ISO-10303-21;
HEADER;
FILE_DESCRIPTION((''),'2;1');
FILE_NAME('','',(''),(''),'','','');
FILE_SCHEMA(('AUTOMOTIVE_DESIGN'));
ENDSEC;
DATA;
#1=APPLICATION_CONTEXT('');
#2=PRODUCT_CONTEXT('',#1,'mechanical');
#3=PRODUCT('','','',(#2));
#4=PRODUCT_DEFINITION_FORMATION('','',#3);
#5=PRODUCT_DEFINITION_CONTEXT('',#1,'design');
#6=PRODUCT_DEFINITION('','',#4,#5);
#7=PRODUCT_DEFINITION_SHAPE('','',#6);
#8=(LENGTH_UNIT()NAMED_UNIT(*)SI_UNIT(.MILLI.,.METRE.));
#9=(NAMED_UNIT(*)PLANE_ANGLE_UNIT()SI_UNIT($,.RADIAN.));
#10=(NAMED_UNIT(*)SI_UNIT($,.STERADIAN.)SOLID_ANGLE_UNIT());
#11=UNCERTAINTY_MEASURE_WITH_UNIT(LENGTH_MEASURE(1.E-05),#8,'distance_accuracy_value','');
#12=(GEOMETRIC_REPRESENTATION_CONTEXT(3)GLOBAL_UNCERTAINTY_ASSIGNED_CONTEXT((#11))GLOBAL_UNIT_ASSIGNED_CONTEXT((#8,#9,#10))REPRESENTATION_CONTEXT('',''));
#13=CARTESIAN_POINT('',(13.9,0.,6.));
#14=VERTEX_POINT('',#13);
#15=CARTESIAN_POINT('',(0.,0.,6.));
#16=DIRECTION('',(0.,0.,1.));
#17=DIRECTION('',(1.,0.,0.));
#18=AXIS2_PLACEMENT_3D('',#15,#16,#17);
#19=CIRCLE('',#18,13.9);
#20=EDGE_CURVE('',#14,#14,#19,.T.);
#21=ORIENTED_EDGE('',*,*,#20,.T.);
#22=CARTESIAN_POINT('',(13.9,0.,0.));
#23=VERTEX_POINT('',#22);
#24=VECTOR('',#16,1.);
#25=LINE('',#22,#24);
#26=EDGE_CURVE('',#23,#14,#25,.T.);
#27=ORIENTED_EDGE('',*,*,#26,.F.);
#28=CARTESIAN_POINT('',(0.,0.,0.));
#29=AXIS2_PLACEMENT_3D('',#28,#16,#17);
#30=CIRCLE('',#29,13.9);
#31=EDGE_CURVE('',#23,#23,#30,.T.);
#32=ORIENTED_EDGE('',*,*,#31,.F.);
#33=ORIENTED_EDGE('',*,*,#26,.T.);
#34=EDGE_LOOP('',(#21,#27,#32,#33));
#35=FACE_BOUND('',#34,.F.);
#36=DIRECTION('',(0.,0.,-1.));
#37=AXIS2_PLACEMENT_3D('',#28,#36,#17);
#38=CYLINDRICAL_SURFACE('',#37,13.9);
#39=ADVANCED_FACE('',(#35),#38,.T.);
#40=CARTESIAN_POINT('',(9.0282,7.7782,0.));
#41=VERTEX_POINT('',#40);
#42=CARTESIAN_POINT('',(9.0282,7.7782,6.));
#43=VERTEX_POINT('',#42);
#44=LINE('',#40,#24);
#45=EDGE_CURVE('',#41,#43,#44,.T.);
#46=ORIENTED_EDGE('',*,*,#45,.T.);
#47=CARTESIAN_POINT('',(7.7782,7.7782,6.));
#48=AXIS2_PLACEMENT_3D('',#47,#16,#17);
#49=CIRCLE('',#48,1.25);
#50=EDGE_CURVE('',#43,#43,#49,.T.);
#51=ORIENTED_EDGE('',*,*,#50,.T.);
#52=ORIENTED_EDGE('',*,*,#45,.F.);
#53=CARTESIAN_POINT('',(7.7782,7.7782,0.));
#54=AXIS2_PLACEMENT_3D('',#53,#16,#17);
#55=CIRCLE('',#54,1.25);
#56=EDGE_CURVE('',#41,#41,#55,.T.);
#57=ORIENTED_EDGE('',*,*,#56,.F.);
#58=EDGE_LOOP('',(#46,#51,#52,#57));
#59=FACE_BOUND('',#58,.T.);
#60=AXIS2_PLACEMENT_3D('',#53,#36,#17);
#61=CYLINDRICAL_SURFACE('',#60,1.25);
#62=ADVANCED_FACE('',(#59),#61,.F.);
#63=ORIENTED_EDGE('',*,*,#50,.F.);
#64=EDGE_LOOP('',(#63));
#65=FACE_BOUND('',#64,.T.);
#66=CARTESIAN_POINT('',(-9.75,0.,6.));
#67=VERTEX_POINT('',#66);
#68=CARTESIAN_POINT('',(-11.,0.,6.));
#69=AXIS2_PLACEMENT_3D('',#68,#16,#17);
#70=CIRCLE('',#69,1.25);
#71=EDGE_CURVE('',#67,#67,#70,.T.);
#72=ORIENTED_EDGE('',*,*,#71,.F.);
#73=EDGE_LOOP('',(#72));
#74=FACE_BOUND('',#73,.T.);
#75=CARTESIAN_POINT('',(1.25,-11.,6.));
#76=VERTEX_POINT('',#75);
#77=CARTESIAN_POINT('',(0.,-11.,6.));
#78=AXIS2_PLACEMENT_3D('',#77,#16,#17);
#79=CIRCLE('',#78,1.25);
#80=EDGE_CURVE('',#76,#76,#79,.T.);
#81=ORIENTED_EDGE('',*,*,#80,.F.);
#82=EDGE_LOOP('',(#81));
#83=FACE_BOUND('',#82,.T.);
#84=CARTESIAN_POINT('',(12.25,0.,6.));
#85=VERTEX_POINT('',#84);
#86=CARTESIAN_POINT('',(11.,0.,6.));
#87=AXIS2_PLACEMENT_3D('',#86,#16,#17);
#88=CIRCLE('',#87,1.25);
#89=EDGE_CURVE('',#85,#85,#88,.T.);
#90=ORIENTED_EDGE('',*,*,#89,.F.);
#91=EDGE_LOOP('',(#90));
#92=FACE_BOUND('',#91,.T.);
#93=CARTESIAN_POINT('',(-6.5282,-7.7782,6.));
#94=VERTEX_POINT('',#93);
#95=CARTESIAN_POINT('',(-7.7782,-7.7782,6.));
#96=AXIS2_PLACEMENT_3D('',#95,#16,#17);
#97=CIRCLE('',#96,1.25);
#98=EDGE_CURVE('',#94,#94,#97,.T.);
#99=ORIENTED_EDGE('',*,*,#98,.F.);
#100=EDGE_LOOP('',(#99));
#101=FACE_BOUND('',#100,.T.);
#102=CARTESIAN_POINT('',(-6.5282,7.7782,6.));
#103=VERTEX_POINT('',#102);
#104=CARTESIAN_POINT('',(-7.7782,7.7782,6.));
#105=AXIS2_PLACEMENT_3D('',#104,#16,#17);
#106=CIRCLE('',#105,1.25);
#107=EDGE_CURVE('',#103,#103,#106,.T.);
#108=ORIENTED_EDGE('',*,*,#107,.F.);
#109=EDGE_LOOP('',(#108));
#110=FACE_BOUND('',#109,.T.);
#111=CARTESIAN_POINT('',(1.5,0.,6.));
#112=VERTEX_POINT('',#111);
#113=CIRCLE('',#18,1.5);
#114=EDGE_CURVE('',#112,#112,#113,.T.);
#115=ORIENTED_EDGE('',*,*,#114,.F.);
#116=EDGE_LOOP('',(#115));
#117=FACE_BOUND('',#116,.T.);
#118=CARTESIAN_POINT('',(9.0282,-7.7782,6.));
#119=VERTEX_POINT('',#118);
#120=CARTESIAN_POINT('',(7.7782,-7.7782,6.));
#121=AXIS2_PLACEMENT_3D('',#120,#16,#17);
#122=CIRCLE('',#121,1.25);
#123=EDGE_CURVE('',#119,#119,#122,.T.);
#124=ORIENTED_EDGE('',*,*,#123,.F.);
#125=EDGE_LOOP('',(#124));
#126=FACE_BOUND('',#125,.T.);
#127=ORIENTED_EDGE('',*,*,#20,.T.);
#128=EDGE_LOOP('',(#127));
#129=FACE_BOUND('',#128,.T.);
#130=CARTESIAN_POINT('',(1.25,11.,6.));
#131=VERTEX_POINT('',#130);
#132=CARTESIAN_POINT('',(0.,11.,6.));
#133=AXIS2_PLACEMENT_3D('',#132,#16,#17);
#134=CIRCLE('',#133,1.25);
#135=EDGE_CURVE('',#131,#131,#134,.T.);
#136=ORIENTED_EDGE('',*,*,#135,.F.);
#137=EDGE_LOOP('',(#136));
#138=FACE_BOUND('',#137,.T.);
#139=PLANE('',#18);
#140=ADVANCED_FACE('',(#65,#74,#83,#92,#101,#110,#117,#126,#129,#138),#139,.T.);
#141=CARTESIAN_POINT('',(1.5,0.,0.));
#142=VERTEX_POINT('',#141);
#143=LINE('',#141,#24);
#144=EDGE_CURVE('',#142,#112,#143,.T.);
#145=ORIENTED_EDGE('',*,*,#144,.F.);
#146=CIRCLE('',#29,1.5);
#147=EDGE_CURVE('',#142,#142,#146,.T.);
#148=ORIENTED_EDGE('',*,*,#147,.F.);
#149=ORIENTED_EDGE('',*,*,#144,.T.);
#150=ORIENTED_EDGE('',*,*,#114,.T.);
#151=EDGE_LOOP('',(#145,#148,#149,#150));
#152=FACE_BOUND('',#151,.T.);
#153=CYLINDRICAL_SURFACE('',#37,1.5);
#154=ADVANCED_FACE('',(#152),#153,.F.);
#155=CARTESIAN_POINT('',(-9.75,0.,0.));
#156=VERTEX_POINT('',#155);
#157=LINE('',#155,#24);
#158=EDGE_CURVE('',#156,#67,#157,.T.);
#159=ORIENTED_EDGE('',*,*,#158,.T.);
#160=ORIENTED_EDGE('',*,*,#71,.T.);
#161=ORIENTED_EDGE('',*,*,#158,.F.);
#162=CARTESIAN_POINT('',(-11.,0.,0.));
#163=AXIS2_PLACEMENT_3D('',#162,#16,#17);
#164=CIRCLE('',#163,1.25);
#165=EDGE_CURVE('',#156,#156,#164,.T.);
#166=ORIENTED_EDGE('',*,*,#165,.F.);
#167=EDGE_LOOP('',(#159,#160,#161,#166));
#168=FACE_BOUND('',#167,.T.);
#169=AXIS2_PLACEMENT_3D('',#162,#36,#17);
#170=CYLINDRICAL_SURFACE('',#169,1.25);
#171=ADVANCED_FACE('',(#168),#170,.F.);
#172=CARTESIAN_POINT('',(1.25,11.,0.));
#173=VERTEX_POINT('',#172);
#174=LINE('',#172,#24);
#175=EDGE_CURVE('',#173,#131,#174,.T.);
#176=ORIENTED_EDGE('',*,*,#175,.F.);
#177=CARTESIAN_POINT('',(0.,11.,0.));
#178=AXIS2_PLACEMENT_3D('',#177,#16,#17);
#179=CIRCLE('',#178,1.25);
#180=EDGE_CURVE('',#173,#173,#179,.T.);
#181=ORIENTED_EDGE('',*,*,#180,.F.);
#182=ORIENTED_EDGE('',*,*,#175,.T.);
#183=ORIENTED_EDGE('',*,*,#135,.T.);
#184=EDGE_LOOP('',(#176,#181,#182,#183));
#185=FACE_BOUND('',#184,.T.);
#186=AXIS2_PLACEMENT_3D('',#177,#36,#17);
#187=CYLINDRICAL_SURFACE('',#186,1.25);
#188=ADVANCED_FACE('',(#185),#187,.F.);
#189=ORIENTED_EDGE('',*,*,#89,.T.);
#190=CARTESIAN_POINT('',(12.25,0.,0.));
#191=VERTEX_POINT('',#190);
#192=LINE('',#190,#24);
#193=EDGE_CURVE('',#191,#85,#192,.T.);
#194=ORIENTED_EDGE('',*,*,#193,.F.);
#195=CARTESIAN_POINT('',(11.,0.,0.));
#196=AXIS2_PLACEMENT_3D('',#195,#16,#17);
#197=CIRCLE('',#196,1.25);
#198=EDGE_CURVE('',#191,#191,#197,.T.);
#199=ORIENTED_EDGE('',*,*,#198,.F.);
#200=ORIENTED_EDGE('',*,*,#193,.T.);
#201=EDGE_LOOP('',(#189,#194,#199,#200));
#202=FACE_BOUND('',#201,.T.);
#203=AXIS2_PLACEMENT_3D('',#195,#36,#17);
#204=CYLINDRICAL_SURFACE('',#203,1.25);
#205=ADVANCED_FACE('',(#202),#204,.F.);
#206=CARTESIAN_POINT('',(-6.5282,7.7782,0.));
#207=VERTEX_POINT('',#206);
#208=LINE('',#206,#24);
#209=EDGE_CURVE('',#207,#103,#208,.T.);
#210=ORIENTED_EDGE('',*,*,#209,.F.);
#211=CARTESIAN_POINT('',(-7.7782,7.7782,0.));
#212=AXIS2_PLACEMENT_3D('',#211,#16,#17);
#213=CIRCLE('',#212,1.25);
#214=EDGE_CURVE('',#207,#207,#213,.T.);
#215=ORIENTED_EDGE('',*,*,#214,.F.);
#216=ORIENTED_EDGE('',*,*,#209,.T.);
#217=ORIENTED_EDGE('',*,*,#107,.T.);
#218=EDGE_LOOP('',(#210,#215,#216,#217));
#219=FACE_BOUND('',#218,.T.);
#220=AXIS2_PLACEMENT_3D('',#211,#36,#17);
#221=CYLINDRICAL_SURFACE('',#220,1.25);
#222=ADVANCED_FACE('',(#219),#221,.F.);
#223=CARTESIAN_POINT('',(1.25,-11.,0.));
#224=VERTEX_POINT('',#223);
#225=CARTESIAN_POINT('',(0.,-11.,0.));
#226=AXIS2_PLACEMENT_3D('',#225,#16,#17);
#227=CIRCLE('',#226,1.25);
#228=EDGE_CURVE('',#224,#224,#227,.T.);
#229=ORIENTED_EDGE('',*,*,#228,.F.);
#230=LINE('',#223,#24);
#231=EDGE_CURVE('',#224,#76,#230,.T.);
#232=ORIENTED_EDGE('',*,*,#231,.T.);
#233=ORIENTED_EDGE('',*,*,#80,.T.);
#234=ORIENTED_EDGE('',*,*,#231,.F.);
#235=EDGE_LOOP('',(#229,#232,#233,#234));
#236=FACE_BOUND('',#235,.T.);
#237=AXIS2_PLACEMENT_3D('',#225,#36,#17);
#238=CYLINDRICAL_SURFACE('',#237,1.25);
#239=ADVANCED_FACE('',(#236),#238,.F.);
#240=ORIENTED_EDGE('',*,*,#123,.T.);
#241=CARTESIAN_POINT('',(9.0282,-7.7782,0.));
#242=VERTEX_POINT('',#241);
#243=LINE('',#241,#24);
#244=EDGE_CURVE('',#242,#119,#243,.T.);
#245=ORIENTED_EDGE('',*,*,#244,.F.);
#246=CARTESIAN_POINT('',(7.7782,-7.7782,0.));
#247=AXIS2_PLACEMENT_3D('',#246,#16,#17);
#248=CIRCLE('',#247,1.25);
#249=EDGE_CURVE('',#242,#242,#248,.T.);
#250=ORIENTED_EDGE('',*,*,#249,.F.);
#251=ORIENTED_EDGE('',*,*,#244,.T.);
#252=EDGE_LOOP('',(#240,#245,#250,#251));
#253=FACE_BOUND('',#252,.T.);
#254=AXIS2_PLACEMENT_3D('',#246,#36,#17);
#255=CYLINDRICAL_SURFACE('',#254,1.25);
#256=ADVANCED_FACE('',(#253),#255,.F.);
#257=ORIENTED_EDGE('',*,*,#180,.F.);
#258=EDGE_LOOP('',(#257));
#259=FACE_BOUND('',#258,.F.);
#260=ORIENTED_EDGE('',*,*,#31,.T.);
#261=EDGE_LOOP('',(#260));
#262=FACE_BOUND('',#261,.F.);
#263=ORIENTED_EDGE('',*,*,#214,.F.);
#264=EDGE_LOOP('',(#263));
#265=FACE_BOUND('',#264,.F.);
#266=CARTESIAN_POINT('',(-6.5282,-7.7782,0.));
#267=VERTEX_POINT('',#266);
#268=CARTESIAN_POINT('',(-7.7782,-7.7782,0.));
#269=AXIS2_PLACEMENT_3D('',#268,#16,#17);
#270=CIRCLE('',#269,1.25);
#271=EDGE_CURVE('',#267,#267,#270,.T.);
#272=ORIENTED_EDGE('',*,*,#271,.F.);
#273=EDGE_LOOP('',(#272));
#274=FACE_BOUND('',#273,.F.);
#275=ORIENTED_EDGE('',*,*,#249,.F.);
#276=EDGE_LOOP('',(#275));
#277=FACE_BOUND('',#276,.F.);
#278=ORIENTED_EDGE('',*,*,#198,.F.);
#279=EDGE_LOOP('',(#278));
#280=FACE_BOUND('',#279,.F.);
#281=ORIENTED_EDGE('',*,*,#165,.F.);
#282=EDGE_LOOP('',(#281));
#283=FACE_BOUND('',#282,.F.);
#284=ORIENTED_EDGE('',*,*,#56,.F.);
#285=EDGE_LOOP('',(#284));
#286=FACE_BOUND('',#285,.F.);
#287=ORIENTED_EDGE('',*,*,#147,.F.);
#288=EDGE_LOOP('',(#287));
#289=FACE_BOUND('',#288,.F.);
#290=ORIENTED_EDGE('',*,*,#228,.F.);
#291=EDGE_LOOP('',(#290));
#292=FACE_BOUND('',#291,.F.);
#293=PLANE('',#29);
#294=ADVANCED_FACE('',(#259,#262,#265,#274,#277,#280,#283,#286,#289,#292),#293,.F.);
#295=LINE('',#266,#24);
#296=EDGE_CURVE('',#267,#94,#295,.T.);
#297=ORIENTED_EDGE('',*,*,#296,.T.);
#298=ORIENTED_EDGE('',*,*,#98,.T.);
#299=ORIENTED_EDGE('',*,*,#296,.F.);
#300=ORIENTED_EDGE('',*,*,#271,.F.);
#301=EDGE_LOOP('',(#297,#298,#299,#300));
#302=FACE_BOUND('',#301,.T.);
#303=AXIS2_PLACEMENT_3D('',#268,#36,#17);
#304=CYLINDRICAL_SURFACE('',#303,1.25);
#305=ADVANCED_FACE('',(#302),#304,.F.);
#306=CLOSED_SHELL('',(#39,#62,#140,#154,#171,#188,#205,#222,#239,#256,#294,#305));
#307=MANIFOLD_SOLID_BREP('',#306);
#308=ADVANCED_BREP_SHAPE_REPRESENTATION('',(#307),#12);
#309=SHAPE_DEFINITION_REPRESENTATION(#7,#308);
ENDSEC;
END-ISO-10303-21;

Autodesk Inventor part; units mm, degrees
ref_plane "YZ Plane" through (0, 0, 0) normal (1, 0, 0) x (0, 1, 0)
ref_plane "XZ Plane" through (0, 0, 0) normal (0, 1, 0) x (-1, 0, 0)
ref_plane "XY Plane" through (0, 0, 0) normal (0, 0, 1) x (1, 0, 0)
sketch "스케치1" plane through (0, 0, 0) normal (0, 0, 1) x (1, 0, 0)
  circle A0 centre (-11, 0) radius 1.25 projected
  circle A1 centre (11, 0) radius 1.25 projected
  circle A2 centre (7.7782, -7.7782) radius 1.25 projected
  circle A3 centre (-7.7782, 7.7782) radius 1.25 projected
  circle A4 centre (-7.7782, -7.7782) radius 1.25 projected
  circle A5 centre (7.7782, 7.7782) radius 1.25 projected
  circle A6 centre (0, -11) radius 1.25 projected
  circle A7 centre (0, 11) radius 1.25 projected
  circle A8 centre (0, 0) radius 1.5 projected
  circle A9 centre (0, 0) radius 13.9 projected
  point P0 (0, 0)
extrude "돌출1" add sketch "스케치1" along normal blind 6
properties part number "_idle-pelvis_adt" material "PMMA 플라스틱"
